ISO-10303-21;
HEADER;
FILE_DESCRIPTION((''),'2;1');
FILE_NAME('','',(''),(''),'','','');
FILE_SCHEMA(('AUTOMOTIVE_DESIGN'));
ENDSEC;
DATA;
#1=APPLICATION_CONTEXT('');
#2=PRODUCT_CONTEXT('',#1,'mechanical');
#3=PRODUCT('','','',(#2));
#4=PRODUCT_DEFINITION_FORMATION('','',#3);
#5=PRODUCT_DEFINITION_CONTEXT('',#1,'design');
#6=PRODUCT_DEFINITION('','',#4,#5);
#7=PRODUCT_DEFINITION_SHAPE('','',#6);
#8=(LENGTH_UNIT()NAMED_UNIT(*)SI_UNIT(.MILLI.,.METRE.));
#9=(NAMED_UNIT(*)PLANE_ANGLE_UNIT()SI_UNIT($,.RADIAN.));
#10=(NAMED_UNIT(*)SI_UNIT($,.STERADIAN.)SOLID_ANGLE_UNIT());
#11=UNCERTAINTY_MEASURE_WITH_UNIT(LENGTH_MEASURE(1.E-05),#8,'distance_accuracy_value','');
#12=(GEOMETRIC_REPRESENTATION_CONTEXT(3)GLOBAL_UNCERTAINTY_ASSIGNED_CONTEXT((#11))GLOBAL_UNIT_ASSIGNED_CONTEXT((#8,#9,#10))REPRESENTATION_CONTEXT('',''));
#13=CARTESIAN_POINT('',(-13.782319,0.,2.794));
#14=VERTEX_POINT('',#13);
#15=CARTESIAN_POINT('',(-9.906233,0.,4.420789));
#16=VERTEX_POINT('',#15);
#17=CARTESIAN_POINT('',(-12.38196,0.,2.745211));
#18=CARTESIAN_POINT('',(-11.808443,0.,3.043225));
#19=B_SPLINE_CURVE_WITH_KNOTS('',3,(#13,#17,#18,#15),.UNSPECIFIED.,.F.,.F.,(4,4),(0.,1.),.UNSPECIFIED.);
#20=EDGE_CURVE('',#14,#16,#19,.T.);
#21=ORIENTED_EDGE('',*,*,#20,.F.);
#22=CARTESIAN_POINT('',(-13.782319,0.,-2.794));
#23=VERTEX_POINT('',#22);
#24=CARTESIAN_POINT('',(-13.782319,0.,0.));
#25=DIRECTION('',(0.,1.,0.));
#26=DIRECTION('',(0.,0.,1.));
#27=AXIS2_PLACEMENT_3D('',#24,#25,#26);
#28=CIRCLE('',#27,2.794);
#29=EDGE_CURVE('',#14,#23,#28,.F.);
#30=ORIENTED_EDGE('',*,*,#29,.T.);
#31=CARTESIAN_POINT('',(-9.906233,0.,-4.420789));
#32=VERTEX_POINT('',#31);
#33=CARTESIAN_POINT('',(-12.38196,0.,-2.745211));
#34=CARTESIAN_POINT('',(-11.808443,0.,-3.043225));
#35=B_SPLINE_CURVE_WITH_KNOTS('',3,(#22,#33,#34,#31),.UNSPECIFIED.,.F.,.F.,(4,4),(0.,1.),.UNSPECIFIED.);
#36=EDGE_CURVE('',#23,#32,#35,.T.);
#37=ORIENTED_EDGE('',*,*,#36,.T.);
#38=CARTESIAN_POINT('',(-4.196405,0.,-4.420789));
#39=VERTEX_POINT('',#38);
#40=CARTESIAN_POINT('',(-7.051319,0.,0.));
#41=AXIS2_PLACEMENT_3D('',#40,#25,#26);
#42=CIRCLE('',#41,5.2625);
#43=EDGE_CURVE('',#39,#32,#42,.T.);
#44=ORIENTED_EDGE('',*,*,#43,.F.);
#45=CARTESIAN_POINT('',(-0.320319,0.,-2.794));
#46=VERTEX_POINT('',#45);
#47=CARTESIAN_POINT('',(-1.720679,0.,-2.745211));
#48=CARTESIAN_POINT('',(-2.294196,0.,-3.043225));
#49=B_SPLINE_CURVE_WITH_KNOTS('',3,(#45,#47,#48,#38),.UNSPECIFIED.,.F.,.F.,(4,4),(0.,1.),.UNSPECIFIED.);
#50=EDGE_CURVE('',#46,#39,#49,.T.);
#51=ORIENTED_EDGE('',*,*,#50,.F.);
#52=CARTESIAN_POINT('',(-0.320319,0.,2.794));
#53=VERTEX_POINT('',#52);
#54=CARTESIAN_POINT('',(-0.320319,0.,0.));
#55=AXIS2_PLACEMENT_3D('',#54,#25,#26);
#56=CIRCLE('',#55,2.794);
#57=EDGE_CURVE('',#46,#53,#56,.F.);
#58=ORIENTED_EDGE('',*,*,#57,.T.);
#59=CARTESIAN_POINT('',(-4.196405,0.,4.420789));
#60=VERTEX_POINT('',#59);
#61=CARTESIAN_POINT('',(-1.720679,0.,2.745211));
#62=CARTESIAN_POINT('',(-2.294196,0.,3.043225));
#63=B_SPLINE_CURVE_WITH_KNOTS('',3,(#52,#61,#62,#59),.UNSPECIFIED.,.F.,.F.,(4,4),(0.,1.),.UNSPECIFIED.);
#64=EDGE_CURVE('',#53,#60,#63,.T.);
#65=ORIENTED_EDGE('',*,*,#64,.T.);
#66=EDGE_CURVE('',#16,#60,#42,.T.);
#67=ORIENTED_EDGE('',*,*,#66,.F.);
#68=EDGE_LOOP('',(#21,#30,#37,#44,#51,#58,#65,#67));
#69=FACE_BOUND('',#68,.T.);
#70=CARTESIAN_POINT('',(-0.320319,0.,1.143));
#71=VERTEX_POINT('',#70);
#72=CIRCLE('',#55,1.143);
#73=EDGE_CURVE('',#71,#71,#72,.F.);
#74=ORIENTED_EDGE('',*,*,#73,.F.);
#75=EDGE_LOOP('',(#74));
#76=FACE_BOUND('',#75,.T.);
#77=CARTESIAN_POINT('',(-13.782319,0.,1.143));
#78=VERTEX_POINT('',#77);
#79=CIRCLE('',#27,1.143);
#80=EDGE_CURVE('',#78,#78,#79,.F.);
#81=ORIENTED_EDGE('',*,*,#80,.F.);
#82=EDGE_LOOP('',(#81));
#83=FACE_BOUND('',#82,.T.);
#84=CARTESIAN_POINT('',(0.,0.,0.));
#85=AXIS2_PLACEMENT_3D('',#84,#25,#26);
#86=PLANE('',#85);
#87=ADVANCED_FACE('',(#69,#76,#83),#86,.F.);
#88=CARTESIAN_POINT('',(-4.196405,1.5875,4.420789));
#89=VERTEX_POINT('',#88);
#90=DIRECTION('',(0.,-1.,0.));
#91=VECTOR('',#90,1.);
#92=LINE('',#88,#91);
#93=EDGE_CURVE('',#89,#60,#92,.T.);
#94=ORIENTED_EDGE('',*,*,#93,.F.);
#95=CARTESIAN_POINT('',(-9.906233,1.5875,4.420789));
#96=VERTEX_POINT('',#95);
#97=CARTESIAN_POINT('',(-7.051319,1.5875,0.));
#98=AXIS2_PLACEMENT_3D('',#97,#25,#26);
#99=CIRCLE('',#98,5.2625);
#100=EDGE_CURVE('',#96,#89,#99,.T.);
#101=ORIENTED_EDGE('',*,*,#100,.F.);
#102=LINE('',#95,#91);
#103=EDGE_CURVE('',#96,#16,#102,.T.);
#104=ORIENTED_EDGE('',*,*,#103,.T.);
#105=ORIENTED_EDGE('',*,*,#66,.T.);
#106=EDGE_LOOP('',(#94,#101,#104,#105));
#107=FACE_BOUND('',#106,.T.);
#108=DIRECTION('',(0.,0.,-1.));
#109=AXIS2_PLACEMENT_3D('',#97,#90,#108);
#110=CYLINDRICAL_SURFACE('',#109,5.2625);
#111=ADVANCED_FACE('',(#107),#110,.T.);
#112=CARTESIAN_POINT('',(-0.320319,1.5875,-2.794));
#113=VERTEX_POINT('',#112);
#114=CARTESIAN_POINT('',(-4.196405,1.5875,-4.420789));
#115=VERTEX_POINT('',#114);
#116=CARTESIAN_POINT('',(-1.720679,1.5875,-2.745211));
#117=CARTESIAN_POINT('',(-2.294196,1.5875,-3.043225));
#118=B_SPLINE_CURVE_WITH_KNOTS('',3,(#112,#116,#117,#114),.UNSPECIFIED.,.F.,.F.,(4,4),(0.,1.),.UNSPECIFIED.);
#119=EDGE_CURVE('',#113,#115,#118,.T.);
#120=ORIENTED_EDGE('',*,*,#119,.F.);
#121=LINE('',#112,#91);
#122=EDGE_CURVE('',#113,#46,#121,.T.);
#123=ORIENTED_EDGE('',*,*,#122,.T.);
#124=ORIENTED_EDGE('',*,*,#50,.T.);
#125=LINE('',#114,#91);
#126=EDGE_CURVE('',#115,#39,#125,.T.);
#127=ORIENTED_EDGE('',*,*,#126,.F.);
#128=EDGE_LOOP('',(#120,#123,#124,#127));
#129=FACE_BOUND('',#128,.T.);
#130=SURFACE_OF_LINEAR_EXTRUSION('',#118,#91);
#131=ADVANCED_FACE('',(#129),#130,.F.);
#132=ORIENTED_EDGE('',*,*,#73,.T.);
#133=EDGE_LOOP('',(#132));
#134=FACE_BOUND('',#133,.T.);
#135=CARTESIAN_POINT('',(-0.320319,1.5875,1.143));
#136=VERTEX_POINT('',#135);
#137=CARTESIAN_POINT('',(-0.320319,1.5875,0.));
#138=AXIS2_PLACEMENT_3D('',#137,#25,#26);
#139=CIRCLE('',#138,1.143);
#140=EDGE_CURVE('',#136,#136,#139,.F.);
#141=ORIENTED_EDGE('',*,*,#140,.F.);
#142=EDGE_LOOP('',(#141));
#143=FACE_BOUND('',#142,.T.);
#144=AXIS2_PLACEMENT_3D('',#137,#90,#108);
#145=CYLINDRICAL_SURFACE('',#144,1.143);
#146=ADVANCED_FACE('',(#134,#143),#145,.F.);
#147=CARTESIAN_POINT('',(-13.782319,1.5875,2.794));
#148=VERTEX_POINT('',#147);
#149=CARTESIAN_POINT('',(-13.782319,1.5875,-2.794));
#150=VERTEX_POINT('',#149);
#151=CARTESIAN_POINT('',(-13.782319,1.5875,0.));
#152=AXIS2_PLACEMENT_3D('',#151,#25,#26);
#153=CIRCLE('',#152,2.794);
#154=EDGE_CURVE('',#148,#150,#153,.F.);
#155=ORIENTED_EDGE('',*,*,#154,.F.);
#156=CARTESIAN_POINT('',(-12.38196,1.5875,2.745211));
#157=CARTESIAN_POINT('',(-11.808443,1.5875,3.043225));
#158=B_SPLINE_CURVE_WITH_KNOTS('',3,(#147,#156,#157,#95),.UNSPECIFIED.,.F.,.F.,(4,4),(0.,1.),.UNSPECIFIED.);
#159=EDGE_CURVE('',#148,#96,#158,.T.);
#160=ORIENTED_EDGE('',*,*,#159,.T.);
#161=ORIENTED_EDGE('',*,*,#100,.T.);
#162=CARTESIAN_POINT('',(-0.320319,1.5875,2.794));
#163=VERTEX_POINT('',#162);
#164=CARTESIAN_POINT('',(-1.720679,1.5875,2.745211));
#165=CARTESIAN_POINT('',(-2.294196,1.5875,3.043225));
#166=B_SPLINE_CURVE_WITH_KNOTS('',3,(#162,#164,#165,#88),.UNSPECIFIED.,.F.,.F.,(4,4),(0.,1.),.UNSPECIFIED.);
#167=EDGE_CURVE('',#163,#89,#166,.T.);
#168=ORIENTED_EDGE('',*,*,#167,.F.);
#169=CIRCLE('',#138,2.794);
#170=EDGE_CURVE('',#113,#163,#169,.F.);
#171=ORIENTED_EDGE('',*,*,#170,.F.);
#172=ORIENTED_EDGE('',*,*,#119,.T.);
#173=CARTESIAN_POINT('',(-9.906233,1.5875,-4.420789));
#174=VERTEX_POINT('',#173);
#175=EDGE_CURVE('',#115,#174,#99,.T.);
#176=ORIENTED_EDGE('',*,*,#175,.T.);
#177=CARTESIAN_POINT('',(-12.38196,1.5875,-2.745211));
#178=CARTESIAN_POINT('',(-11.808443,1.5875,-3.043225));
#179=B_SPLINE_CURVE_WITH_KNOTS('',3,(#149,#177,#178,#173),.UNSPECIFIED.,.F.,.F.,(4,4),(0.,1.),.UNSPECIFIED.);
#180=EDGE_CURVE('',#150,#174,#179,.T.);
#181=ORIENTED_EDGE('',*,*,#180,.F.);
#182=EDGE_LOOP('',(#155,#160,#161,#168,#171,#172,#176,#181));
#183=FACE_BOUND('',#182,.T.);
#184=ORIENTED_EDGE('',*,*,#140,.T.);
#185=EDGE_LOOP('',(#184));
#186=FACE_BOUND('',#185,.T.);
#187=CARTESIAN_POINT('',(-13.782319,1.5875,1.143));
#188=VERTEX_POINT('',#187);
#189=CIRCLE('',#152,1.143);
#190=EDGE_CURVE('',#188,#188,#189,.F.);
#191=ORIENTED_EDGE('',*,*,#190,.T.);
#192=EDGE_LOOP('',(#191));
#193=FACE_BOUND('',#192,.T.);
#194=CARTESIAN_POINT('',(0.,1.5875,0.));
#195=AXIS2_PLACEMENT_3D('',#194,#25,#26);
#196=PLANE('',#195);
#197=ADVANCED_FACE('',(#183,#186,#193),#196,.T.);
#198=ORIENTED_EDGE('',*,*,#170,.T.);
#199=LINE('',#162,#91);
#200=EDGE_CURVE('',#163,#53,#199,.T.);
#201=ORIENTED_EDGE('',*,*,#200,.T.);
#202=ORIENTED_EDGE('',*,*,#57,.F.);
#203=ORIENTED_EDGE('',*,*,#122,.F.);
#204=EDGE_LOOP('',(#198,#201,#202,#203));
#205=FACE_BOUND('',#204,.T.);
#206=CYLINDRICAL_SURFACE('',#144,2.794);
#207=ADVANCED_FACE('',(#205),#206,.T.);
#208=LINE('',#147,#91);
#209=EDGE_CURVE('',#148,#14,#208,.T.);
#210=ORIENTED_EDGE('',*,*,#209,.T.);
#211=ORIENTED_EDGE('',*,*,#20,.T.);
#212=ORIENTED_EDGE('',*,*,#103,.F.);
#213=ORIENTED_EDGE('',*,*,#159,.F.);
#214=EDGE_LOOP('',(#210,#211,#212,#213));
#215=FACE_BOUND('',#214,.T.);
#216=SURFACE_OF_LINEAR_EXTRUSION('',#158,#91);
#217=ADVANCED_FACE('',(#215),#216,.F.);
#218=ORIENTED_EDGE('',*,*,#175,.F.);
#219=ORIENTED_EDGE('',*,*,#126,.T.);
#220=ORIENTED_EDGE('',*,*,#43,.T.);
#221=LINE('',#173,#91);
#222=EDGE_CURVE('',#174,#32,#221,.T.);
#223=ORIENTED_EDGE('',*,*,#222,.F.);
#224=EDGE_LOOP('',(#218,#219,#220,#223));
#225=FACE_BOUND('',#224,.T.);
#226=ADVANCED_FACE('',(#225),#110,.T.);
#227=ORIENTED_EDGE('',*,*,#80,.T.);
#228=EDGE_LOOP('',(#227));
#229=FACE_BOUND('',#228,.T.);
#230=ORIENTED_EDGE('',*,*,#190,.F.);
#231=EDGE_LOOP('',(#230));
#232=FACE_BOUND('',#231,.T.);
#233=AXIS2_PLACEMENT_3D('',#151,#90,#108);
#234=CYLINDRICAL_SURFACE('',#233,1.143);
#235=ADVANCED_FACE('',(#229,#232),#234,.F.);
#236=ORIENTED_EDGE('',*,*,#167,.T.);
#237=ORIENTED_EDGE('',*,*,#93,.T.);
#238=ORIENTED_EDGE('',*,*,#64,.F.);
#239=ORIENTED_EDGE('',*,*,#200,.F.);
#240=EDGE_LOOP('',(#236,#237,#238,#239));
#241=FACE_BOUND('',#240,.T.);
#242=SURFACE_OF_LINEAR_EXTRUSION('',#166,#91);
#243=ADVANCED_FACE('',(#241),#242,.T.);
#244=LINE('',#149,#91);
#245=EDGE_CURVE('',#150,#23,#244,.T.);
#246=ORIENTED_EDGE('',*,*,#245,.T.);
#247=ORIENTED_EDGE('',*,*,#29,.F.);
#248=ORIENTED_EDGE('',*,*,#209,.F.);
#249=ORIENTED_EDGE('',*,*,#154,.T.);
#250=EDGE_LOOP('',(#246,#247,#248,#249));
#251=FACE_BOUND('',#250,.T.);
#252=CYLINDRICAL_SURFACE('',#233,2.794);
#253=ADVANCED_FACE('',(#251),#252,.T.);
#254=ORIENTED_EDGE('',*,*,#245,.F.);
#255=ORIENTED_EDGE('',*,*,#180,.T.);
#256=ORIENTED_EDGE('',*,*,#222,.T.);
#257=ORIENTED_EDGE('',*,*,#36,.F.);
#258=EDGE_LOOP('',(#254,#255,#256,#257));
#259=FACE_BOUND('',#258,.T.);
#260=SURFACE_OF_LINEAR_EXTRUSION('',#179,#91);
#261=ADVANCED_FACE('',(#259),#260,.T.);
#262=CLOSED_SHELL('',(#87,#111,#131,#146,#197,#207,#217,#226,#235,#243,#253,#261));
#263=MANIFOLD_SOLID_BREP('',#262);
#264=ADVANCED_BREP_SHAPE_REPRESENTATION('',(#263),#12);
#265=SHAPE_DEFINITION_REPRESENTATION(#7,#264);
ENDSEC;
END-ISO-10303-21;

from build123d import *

# Parameters (mm, degrees)
CROQUIS1_R              = 1.143
SALIENTE_EXTRUIR6_DEPTH = 1.5875


with BuildPart() as part:
    # Croquis1 → Saliente-Extruir6 (new body)
    with BuildSketch(Plane(origin=(0, 0, 0), x_dir=(1, 0, 0), z_dir=(0, 1, 0))):
        with BuildLine():
            ThreePointArc((-13.782319099, 2.794), (-16.576319099, 0), (-13.782319099, -2.794))
            add(Edge.make_bspline(
                [(-13.782319099, -2.794), (-12.381959509, -2.745210856), (-11.808442523, -3.043224941), (-9.906232869, -4.4207888)],
                knots=[0, 0, 0, 0, 1, 1, 1, 1], degree=3))
            ThreePointArc((-9.906232869, -4.4207888), (-7.051319099, -5.2625), (-4.196405329, -4.4207888))
            add(Edge.make_bspline(
                [(-4.196405329, -4.4207888), (-2.294195675, -3.043224941), (-1.720678689, -2.745210856), (-0.320319099, -2.794)],
                knots=[0.921934519, 0.921934519, 0.921934519, 0.921934519, 1.921934519, 1.921934519, 1.921934519, 1.921934519], degree=3))
            ThreePointArc((-0.320319099, -2.794), (2.473680901, 0), (-0.320319099, 2.794))
            add(Edge.make_bspline(
                [(-0.320319099, 2.794), (-1.720678689, 2.745210856), (-2.294195675, 3.043224941), (-4.196405329, 4.4207888)],
                knots=[0, 0, 0, 0, 1, 1, 1, 1], degree=3))
            ThreePointArc((-4.196405329, 4.4207888), (-7.051319099, 5.2625), (-9.906232869, 4.4207888))
            add(Edge.make_bspline(
                [(-9.906232869, 4.4207888), (-11.808442523, 3.043224941), (-12.381959509, 2.745210856), (-13.782319099, 2.794)],
                knots=[0.921934519, 0.921934519, 0.921934519, 0.921934519, 1.921934519, 1.921934519, 1.921934519, 1.921934519], degree=3))
        make_face()
        with Locations((-13.782319099, 0)):
            Circle(CROQUIS1_R, mode=Mode.SUBTRACT)
        with Locations((-0.320319099, 0)):
            Circle(CROQUIS1_R, mode=Mode.SUBTRACT)
    extrude(amount=SALIENTE_EXTRUIR6_DEPTH)


solid = part.part
